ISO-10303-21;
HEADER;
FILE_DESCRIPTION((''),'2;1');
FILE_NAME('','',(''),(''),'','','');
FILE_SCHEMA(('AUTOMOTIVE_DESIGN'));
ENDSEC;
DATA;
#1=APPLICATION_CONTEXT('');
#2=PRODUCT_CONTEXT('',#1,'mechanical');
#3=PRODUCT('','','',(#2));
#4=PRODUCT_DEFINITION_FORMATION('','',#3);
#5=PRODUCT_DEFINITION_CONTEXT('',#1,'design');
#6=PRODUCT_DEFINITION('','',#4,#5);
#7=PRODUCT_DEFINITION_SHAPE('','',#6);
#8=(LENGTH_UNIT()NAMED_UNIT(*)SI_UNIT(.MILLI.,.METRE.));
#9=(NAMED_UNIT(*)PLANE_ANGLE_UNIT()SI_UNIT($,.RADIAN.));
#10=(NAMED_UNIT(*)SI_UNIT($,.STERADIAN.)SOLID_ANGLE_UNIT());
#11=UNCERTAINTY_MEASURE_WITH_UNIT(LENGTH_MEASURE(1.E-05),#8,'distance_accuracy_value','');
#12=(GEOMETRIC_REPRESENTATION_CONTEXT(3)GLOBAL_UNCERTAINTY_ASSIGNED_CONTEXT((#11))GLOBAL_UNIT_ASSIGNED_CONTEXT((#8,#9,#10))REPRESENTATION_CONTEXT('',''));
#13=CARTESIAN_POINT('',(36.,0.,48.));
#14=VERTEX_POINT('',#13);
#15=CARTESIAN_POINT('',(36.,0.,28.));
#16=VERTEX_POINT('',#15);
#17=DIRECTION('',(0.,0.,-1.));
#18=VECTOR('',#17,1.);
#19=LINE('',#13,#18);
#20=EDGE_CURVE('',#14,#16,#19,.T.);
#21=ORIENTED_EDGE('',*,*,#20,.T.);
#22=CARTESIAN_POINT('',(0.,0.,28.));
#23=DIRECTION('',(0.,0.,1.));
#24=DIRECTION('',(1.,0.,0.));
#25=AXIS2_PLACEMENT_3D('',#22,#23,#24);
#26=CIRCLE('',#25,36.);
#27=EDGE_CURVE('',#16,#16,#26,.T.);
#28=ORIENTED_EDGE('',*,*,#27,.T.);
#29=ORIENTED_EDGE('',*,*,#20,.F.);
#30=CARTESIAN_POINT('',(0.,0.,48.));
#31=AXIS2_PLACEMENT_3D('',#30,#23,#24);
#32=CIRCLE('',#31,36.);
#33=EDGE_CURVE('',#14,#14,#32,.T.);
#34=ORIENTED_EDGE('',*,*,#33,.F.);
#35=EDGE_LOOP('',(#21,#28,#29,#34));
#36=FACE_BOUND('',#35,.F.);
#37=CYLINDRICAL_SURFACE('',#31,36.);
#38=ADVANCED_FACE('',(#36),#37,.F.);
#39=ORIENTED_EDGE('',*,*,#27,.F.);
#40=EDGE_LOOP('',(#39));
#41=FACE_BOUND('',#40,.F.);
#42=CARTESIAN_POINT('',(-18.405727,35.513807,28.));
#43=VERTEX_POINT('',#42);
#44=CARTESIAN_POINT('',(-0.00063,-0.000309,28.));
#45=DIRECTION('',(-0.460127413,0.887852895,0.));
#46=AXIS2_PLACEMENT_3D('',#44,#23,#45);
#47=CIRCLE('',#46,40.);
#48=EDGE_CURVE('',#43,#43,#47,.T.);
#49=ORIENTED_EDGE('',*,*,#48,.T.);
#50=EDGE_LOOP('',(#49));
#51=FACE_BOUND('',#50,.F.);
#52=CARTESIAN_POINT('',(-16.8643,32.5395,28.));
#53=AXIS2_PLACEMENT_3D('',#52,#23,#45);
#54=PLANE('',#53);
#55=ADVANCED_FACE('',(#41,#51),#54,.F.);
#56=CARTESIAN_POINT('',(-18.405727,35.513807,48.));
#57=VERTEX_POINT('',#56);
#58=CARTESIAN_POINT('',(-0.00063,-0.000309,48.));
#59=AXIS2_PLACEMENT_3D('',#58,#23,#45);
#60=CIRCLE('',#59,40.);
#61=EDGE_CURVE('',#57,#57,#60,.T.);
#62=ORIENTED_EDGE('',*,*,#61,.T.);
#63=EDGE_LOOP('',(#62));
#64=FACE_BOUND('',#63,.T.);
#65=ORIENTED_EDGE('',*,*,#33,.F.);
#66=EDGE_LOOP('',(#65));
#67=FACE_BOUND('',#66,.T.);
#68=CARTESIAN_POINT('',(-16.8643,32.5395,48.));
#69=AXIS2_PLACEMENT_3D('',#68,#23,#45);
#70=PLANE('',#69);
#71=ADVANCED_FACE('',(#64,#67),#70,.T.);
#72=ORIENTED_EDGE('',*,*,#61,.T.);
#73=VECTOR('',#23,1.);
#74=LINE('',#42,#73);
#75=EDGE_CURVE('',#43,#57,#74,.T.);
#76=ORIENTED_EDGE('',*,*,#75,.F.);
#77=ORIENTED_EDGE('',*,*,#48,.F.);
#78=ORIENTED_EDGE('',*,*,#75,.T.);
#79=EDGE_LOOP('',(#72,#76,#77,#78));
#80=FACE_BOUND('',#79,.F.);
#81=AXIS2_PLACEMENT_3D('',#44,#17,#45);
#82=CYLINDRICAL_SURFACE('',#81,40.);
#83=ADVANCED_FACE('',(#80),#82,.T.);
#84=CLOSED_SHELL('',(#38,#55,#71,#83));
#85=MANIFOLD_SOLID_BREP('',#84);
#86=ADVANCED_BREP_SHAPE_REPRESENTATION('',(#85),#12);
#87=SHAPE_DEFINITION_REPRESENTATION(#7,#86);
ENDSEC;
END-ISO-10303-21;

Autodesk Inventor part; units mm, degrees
ref_plane "YZ Plane" through (0, 0, 0) normal (1, 0, 0) x (0, 1, 0)
ref_plane "XZ Plane" through (0, 0, 0) normal (0, 1, 0) x (-1, 0, 0)
ref_plane "工作平面1" through (-16.8643, 32.5395, 28) normal (0, 0, 1) x (-0.4601, 0.8878, 0)
sketch "草图1" plane through (-16.8643, 32.5395, 28) normal (0, 0, 1) x (-0.4601, 0.8878, 0)
  circle A0 centre (-36.65, 0) radius 65 construction
  circle A1 centre (-36.65, 0) radius 40
  circle A2 centre (-36.65, 0) radius 32
  point P0 (-36.65, 0)
  dimension "d0" = 80
  dimension "d1" = 64
extrude "拉伸1" add sketch "草图1" along normal blind 20
sketch "草图2" plane through (0, 0, 48) normal (0, 0, 1) x (1, 0, 0)
  circle A0 centre (0, 0) radius 36
  dimension "d4" = 72
extrude "拉伸2" cut sketch "草图2" against normal up to surface (20 mm away)
properties part number "轴承盖挡圈"
